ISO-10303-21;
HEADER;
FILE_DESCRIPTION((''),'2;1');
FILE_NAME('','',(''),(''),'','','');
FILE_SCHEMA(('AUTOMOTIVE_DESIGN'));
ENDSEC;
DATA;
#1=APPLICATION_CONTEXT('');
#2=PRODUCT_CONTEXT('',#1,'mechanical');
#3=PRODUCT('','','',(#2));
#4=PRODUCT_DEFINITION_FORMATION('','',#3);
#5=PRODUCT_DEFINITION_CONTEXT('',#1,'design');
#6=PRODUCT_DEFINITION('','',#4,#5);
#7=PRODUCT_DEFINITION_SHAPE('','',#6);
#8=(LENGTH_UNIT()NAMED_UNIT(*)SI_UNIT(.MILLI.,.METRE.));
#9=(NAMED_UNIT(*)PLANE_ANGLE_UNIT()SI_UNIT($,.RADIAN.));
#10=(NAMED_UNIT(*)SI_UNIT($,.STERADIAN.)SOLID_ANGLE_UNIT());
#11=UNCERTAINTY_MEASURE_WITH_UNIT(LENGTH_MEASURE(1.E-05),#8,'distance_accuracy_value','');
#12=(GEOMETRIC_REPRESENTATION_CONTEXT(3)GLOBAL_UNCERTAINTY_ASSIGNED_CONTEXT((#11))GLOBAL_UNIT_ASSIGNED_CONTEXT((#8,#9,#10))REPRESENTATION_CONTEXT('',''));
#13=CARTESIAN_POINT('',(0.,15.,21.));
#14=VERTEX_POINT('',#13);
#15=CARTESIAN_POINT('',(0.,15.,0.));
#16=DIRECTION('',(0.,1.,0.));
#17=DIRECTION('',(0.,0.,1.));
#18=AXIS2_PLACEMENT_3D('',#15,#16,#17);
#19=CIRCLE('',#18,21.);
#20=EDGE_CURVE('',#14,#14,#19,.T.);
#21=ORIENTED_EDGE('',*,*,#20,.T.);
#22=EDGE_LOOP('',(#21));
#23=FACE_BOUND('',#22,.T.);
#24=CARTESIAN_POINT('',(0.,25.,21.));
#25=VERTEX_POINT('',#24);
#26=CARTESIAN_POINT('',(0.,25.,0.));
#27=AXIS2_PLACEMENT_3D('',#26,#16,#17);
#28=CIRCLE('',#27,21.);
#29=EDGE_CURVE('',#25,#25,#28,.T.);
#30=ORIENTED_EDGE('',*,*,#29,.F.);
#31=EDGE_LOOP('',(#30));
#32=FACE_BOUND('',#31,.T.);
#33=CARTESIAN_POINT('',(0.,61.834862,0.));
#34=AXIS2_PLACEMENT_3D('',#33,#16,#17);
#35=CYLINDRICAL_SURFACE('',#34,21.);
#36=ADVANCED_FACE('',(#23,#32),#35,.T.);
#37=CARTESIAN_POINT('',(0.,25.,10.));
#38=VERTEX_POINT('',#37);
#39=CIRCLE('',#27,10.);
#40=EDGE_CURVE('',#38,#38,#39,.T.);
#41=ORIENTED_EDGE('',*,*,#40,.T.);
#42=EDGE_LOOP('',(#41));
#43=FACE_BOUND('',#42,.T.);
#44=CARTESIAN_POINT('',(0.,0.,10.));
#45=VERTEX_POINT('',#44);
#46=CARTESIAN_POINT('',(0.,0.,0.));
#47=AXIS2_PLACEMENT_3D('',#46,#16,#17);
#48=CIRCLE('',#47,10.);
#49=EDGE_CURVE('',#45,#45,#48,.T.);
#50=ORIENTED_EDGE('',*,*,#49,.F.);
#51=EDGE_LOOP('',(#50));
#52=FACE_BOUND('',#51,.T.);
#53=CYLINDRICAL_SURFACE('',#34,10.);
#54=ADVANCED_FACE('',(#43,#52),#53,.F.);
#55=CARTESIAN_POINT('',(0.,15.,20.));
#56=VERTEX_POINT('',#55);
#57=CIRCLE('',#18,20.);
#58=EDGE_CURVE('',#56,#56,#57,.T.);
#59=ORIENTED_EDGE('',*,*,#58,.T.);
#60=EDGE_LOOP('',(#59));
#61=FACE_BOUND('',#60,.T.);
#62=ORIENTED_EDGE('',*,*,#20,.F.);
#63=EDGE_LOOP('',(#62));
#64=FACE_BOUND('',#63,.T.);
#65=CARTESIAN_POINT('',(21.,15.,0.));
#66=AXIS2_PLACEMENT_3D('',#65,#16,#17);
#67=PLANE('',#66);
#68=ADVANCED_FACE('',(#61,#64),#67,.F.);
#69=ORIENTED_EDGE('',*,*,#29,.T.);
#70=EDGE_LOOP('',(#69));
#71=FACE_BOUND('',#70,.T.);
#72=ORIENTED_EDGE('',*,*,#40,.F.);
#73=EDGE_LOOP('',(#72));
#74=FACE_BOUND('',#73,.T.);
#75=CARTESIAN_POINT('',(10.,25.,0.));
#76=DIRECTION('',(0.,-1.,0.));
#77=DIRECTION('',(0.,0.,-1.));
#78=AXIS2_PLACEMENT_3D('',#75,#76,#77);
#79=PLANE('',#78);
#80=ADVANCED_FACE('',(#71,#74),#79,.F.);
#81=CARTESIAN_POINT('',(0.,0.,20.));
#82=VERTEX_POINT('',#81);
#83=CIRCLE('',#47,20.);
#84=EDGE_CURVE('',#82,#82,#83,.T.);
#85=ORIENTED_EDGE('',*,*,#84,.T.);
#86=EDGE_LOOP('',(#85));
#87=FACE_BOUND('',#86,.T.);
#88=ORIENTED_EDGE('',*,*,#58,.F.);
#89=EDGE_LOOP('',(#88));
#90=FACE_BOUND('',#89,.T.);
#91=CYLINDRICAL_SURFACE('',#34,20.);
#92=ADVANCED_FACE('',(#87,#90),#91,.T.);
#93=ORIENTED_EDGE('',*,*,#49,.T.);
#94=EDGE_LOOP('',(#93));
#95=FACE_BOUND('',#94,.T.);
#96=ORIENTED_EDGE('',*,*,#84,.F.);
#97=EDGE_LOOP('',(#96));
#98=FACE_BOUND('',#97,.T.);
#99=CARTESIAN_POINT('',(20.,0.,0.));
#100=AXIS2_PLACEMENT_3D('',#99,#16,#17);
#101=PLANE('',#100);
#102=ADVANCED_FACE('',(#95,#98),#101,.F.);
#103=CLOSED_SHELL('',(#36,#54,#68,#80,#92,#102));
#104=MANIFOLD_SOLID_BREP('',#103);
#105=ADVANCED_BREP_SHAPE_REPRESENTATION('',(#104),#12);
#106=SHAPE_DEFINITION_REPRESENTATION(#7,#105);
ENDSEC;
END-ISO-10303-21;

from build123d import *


with BuildPart() as part:
    # Sketch1 → Revolve1 (revolve)
    with BuildSketch(Plane.XY, mode=Mode.PRIVATE) as revolve1_sk:
        Polygon((10, 0), (10, 25), (21, 25), (21, 15), (20, 15), (20, 0), align=None)
    revolve(revolve1_sk.sketch.rotate(Axis((0, 61.834862385, 0), (0, -1, 0)), 90), axis=Axis((0, 61.834862385, 0), (0, -1, 0)))


solid = part.part
